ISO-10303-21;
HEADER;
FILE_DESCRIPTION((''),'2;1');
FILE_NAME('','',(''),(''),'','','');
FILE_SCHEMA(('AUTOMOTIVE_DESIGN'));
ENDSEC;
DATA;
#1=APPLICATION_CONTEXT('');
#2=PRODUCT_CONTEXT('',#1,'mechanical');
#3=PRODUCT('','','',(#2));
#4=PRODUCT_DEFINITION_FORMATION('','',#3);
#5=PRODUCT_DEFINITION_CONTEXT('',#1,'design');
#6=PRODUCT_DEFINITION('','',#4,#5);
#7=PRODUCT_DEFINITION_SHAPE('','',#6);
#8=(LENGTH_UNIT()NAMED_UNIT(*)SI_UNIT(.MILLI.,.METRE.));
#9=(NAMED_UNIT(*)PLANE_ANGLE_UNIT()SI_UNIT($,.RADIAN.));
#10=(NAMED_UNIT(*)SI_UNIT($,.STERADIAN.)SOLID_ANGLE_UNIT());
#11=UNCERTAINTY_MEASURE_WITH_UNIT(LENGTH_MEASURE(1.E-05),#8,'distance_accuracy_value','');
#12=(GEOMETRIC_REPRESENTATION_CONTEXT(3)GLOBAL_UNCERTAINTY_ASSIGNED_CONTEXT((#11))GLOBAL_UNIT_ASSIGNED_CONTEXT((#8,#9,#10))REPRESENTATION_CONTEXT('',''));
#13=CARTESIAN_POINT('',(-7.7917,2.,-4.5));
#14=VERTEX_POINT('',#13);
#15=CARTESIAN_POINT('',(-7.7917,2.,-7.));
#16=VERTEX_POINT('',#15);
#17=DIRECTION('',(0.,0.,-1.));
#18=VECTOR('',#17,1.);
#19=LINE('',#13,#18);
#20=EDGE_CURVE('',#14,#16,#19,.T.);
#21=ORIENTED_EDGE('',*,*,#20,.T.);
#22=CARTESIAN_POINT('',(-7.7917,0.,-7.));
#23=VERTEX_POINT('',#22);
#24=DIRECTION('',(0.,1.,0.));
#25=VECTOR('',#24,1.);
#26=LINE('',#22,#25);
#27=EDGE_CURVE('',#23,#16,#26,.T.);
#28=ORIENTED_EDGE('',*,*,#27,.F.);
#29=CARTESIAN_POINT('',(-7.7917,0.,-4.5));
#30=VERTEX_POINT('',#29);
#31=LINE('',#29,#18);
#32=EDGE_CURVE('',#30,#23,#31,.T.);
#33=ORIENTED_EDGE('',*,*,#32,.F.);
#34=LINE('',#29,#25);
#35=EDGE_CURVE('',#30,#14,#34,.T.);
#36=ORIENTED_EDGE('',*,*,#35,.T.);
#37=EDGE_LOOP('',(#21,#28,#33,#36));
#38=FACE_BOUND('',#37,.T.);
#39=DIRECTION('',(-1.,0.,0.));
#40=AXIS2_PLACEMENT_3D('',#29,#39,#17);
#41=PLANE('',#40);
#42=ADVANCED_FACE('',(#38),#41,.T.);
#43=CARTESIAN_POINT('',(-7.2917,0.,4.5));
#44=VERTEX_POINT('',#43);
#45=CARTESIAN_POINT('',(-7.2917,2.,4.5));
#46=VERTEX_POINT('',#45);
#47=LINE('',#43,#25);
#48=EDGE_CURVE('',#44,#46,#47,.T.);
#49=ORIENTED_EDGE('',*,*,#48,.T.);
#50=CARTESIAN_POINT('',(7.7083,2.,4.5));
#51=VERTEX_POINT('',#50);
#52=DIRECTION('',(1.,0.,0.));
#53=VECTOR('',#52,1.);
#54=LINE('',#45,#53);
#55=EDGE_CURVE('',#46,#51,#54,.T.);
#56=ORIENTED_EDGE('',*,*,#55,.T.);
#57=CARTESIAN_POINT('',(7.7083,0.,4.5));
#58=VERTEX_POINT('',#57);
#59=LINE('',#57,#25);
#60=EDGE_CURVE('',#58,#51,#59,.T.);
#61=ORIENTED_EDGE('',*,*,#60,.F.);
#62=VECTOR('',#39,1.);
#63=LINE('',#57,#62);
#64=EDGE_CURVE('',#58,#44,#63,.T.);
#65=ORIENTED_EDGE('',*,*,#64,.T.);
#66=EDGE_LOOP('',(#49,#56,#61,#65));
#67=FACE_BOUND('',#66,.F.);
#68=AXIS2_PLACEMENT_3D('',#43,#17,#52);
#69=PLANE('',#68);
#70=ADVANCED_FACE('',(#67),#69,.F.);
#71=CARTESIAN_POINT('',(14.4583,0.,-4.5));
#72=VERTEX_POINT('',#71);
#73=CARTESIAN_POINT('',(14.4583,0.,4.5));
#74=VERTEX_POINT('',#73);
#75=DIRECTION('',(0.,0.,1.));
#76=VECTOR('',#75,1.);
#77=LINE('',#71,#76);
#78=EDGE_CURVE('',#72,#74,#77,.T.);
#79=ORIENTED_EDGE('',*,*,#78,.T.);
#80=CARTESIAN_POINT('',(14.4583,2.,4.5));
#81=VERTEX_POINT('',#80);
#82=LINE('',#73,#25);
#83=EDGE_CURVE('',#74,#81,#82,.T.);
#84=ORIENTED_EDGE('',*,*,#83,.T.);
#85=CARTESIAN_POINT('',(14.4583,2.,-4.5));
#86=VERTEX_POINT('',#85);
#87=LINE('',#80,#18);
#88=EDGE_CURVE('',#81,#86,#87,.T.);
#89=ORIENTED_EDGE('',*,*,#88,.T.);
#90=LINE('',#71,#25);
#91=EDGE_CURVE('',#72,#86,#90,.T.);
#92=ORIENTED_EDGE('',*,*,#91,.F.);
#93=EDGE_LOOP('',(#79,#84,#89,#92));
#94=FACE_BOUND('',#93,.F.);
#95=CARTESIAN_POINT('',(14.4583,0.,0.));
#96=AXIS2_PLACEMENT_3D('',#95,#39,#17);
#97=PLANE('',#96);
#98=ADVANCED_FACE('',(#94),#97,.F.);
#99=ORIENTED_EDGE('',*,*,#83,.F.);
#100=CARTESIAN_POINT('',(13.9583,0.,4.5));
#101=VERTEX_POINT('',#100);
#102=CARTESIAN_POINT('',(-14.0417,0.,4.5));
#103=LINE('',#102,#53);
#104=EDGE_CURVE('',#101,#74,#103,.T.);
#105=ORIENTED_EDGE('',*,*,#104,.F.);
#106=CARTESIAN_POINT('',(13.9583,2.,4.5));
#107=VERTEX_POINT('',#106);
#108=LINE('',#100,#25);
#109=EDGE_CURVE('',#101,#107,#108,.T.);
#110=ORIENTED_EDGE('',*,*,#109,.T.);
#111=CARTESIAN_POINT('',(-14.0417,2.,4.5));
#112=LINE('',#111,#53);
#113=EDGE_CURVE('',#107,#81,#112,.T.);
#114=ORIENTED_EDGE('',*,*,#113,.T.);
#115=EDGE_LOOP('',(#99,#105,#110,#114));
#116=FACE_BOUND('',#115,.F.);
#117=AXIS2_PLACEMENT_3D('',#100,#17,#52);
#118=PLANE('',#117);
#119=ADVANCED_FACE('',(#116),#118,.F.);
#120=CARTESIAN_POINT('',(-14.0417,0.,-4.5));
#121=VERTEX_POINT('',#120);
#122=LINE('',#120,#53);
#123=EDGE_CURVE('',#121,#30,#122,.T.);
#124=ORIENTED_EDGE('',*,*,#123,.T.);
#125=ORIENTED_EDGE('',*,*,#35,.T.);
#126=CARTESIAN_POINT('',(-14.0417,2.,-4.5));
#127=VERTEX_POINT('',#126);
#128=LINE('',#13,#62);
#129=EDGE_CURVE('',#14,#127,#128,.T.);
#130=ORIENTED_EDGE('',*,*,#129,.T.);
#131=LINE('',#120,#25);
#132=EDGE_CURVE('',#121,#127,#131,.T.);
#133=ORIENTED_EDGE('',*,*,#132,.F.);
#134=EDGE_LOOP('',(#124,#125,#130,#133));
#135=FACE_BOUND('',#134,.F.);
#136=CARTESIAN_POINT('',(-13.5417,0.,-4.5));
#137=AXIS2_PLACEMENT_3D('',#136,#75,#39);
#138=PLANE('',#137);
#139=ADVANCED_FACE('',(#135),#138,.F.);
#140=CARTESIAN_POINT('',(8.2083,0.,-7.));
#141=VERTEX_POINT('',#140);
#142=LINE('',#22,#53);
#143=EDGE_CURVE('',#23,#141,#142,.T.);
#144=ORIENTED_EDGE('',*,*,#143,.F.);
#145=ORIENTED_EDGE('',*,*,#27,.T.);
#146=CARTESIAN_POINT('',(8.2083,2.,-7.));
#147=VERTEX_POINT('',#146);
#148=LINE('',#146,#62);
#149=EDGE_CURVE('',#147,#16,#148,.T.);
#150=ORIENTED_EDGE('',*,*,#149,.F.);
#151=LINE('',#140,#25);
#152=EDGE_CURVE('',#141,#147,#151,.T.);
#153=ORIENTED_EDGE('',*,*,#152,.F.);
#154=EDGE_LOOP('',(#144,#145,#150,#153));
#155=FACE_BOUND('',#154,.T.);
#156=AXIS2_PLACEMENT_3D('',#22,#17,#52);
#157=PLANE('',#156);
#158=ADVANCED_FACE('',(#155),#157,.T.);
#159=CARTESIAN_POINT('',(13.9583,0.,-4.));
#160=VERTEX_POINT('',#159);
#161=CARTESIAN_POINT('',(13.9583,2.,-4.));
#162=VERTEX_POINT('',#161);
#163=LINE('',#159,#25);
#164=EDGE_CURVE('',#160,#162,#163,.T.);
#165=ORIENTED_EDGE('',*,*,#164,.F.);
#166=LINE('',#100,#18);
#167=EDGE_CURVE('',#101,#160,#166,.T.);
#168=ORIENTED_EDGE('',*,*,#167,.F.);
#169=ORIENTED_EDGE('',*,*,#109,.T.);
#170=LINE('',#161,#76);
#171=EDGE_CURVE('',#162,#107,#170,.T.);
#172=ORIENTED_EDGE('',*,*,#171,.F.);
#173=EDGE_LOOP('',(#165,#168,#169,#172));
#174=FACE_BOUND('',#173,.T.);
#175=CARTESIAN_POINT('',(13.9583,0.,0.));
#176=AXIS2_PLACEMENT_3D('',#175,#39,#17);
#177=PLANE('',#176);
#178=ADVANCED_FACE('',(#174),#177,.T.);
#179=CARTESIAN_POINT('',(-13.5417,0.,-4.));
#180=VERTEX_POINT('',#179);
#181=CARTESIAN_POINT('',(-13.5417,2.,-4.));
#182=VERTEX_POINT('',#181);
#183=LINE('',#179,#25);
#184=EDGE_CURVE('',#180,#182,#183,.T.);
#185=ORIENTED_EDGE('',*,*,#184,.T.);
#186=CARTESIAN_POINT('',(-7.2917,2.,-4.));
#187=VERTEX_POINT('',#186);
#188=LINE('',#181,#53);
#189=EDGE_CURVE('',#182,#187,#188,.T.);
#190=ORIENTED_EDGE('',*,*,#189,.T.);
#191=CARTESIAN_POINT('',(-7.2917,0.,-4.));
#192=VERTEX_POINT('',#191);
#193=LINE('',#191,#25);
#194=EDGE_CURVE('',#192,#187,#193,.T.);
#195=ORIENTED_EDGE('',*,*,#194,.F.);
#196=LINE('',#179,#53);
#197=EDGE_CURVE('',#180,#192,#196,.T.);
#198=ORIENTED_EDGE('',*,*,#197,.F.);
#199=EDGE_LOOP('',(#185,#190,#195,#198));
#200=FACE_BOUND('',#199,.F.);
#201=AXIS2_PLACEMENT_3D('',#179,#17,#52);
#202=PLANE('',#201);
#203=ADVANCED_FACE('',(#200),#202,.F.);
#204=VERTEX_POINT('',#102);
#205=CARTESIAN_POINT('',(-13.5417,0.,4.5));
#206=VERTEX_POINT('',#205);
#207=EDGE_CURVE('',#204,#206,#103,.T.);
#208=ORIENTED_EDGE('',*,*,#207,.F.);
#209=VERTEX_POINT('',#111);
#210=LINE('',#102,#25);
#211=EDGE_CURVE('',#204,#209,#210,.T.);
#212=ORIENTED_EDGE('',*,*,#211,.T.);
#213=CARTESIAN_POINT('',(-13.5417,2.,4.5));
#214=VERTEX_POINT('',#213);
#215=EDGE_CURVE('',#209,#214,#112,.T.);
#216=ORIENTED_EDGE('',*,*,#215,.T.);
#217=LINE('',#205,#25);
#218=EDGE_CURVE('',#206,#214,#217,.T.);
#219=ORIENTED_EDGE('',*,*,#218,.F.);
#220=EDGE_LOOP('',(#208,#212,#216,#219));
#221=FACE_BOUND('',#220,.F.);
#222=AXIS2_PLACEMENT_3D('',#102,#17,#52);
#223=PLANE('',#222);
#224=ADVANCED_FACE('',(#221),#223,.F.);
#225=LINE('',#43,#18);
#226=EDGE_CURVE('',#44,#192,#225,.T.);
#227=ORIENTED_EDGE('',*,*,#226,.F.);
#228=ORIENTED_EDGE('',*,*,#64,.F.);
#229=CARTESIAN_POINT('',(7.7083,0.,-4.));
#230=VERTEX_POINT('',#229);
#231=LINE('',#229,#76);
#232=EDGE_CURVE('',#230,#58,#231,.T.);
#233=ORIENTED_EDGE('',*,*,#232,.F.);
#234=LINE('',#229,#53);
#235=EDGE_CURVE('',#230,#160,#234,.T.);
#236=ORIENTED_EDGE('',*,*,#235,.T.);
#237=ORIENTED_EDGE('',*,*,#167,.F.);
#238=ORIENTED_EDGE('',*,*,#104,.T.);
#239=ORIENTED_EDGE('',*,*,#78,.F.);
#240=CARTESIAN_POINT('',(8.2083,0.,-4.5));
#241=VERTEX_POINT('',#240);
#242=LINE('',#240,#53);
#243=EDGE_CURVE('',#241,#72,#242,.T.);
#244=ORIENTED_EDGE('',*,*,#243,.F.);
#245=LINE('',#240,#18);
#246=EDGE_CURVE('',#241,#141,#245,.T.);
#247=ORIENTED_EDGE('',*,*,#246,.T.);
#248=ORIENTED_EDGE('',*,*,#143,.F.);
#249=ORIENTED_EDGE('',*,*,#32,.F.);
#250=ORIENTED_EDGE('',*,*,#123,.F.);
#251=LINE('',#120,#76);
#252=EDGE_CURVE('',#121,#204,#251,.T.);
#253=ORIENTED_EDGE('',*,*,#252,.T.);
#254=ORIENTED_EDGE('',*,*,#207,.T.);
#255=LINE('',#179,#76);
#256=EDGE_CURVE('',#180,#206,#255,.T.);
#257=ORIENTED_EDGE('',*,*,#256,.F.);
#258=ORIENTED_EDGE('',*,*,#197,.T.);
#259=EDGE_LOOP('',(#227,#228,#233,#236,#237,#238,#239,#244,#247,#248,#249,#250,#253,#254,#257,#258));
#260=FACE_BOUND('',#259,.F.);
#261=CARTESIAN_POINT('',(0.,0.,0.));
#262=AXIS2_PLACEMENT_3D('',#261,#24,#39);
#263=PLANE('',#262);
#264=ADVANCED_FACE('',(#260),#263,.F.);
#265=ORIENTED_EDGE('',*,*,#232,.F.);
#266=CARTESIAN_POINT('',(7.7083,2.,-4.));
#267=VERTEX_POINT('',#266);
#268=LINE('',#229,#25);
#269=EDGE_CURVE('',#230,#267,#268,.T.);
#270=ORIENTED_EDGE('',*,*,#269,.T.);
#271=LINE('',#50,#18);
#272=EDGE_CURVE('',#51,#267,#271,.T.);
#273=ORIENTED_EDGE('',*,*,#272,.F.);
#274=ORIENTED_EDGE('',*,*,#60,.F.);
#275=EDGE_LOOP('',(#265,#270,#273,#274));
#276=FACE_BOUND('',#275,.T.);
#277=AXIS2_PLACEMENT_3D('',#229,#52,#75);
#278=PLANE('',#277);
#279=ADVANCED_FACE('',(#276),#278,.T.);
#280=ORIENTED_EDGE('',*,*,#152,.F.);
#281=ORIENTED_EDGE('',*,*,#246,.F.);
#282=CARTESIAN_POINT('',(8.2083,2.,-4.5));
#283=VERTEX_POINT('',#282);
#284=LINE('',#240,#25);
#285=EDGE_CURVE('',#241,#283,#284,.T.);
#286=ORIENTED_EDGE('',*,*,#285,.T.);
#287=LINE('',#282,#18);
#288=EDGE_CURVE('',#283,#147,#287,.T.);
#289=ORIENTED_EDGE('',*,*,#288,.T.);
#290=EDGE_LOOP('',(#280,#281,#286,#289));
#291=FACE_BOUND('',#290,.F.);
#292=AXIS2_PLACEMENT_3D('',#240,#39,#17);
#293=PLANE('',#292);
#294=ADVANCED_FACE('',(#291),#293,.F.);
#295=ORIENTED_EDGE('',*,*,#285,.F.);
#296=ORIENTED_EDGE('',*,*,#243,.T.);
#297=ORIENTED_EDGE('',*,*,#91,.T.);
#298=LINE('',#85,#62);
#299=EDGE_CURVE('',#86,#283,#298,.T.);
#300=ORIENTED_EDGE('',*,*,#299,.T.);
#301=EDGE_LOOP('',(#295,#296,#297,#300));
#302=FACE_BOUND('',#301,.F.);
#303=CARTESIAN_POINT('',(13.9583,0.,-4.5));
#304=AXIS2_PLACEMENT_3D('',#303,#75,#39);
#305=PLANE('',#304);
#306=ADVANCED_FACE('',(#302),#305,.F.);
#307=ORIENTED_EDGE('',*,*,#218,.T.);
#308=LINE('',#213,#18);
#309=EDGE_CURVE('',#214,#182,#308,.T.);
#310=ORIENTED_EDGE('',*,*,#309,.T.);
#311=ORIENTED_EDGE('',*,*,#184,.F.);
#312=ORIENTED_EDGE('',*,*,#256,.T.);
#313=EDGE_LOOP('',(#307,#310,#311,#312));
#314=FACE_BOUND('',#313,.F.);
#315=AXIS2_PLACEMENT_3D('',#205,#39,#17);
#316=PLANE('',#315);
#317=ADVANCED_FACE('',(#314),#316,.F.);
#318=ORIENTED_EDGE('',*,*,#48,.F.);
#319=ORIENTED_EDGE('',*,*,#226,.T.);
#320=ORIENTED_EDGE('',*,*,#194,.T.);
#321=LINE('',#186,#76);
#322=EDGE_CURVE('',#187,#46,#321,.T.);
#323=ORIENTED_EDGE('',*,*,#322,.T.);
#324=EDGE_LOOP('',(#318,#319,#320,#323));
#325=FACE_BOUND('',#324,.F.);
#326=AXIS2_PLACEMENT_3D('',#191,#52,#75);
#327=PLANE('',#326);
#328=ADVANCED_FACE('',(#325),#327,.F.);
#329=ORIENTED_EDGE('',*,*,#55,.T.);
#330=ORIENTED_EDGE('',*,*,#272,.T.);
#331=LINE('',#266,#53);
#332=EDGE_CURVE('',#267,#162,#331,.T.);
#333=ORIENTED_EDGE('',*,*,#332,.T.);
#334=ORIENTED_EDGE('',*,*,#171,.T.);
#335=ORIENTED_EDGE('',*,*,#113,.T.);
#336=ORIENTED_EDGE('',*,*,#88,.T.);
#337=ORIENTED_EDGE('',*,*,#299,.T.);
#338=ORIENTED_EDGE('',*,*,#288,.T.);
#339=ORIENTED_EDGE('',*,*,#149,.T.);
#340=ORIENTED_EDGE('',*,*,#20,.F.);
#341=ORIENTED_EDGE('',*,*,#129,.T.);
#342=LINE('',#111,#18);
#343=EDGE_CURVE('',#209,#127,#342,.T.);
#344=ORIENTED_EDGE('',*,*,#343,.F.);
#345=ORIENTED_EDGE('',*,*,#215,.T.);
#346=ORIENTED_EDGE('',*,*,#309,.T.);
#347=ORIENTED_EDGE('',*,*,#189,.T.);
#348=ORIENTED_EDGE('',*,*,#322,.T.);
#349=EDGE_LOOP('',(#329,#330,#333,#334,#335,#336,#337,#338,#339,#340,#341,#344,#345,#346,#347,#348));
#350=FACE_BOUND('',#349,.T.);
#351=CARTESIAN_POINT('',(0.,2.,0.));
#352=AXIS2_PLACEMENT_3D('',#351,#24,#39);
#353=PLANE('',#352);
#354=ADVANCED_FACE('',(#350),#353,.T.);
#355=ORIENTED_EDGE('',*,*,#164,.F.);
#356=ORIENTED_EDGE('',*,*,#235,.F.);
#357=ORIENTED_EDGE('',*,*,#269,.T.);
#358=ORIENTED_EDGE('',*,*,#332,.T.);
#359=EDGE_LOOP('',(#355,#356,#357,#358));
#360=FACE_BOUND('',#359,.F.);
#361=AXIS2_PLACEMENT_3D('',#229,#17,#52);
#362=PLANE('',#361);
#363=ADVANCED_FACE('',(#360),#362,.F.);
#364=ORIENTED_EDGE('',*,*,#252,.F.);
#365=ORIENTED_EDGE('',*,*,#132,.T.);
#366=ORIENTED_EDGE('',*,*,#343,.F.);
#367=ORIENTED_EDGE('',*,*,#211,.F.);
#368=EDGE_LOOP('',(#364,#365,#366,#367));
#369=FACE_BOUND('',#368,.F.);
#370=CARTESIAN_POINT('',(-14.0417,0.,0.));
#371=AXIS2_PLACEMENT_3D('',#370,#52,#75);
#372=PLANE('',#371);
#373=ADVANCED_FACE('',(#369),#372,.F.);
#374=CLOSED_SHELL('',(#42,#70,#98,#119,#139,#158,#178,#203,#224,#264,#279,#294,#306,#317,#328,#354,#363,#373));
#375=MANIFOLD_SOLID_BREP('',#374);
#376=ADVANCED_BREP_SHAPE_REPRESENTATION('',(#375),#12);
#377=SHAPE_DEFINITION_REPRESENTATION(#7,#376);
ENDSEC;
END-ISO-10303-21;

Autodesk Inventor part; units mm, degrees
ref_plane "YZ Plane" through (0, 0, 0) normal (1, 0, 0) x (0, 1, 0)
ref_plane "XZ Plane" through (0, 0, 0) normal (0, 1, 0) x (-1, 0, 0)
ref_plane "XY Plane" through (0, 0, 0) normal (0, 0, 1) x (1, 0, 0)
sketch "Szkic2" plane through (0, 0, 0) normal (0, 1, 0) x (-1, 0, 0)
  line L0 (14.0417, 4.5) -> (-14.4583, 4.5)
  line L1 (-14.4583, 4.5) -> (-14.4583, -4.5)
  line L2 (-14.4583, -4.5) -> (14.0417, -4.5)
  line L3 (14.0417, -4.5) -> (14.0417, 4.5)
  line L4 (20.5065, 0) -> (-20.5135, 0)
  line L5 (-0.0035, 27.5792) -> (-0.0035, -16.2627)
  line L6 (7.2917, -4.5) -> (-7.7083, -4.5)
  line L7 (-7.7083, -4.5) -> (-7.7083, -7)
  line L8 (-7.7083, -7) -> (7.2917, -7)
  line L9 (7.2917, -7) -> (7.2917, -4.5)
  line L10 (13.5417, 4.5) -> (13.5417, -4.5)
  line L11 (13.5417, -4) -> (7.2917, -4)
  line L12 (7.7917, -4.5) -> (7.7917, -7)
  line L13 (7.2917, -4) -> (7.2917, -4.5)
  line L14 (7.7917, -7) -> (7.2917, -7)
  line L15 (-8.2083, -4.5) -> (-8.2083, -7)
  line L16 (-8.2083, -7) -> (-7.7083, -7)
  line L17 (7.2917, -4) -> (7.2917, 4.5)
  line L18 (-7.7083, -4.5) -> (-7.7083, 4.5)
  line L19 (-13.9583, 4.5) -> (-13.9583, -4.5)
  line L20 (-7.7083, -4) -> (-13.9583, -4)
  line L21 (-7.7083, -4) -> (-7.7083, -4.5)
  point P0 (0, 0)
  dimension "d7" = 28.5
  dimension "d9" = 9
  dimension "d10" = 4.5
  dimension "d11" = 6.75
  dimension "d12" = 6.75
  dimension "d13" = 0.5
  dimension "d14" = 0.5
  dimension "d15" = 2.5
  dimension "d16" = 0.5
  dimension "d17" = 0.5
  dimension "d20" = 0.5
  dimension "d21" = 0.5
extrude "Wyciągnięcie proste2" add sketch "Szkic2" along normal blind 2 contours L3 L4 L10 L0 | L3 L2 L10 L4 | L17 L4 L5 L0 | L5 L4 L18 L0 | L17 L13 L2 L5 L4 | L10 L2 L13 L11 | L5 L2 L18 L4 | L12 L14 L9 L2 | L19 L4 L1 L0 | L5 L8 L7 L2 | L2 L9 L8 L5 | L19 L2 L1 L4 | L18 L2 L19 L20 | L7 L16 L15 L2
properties part number "prent1"
